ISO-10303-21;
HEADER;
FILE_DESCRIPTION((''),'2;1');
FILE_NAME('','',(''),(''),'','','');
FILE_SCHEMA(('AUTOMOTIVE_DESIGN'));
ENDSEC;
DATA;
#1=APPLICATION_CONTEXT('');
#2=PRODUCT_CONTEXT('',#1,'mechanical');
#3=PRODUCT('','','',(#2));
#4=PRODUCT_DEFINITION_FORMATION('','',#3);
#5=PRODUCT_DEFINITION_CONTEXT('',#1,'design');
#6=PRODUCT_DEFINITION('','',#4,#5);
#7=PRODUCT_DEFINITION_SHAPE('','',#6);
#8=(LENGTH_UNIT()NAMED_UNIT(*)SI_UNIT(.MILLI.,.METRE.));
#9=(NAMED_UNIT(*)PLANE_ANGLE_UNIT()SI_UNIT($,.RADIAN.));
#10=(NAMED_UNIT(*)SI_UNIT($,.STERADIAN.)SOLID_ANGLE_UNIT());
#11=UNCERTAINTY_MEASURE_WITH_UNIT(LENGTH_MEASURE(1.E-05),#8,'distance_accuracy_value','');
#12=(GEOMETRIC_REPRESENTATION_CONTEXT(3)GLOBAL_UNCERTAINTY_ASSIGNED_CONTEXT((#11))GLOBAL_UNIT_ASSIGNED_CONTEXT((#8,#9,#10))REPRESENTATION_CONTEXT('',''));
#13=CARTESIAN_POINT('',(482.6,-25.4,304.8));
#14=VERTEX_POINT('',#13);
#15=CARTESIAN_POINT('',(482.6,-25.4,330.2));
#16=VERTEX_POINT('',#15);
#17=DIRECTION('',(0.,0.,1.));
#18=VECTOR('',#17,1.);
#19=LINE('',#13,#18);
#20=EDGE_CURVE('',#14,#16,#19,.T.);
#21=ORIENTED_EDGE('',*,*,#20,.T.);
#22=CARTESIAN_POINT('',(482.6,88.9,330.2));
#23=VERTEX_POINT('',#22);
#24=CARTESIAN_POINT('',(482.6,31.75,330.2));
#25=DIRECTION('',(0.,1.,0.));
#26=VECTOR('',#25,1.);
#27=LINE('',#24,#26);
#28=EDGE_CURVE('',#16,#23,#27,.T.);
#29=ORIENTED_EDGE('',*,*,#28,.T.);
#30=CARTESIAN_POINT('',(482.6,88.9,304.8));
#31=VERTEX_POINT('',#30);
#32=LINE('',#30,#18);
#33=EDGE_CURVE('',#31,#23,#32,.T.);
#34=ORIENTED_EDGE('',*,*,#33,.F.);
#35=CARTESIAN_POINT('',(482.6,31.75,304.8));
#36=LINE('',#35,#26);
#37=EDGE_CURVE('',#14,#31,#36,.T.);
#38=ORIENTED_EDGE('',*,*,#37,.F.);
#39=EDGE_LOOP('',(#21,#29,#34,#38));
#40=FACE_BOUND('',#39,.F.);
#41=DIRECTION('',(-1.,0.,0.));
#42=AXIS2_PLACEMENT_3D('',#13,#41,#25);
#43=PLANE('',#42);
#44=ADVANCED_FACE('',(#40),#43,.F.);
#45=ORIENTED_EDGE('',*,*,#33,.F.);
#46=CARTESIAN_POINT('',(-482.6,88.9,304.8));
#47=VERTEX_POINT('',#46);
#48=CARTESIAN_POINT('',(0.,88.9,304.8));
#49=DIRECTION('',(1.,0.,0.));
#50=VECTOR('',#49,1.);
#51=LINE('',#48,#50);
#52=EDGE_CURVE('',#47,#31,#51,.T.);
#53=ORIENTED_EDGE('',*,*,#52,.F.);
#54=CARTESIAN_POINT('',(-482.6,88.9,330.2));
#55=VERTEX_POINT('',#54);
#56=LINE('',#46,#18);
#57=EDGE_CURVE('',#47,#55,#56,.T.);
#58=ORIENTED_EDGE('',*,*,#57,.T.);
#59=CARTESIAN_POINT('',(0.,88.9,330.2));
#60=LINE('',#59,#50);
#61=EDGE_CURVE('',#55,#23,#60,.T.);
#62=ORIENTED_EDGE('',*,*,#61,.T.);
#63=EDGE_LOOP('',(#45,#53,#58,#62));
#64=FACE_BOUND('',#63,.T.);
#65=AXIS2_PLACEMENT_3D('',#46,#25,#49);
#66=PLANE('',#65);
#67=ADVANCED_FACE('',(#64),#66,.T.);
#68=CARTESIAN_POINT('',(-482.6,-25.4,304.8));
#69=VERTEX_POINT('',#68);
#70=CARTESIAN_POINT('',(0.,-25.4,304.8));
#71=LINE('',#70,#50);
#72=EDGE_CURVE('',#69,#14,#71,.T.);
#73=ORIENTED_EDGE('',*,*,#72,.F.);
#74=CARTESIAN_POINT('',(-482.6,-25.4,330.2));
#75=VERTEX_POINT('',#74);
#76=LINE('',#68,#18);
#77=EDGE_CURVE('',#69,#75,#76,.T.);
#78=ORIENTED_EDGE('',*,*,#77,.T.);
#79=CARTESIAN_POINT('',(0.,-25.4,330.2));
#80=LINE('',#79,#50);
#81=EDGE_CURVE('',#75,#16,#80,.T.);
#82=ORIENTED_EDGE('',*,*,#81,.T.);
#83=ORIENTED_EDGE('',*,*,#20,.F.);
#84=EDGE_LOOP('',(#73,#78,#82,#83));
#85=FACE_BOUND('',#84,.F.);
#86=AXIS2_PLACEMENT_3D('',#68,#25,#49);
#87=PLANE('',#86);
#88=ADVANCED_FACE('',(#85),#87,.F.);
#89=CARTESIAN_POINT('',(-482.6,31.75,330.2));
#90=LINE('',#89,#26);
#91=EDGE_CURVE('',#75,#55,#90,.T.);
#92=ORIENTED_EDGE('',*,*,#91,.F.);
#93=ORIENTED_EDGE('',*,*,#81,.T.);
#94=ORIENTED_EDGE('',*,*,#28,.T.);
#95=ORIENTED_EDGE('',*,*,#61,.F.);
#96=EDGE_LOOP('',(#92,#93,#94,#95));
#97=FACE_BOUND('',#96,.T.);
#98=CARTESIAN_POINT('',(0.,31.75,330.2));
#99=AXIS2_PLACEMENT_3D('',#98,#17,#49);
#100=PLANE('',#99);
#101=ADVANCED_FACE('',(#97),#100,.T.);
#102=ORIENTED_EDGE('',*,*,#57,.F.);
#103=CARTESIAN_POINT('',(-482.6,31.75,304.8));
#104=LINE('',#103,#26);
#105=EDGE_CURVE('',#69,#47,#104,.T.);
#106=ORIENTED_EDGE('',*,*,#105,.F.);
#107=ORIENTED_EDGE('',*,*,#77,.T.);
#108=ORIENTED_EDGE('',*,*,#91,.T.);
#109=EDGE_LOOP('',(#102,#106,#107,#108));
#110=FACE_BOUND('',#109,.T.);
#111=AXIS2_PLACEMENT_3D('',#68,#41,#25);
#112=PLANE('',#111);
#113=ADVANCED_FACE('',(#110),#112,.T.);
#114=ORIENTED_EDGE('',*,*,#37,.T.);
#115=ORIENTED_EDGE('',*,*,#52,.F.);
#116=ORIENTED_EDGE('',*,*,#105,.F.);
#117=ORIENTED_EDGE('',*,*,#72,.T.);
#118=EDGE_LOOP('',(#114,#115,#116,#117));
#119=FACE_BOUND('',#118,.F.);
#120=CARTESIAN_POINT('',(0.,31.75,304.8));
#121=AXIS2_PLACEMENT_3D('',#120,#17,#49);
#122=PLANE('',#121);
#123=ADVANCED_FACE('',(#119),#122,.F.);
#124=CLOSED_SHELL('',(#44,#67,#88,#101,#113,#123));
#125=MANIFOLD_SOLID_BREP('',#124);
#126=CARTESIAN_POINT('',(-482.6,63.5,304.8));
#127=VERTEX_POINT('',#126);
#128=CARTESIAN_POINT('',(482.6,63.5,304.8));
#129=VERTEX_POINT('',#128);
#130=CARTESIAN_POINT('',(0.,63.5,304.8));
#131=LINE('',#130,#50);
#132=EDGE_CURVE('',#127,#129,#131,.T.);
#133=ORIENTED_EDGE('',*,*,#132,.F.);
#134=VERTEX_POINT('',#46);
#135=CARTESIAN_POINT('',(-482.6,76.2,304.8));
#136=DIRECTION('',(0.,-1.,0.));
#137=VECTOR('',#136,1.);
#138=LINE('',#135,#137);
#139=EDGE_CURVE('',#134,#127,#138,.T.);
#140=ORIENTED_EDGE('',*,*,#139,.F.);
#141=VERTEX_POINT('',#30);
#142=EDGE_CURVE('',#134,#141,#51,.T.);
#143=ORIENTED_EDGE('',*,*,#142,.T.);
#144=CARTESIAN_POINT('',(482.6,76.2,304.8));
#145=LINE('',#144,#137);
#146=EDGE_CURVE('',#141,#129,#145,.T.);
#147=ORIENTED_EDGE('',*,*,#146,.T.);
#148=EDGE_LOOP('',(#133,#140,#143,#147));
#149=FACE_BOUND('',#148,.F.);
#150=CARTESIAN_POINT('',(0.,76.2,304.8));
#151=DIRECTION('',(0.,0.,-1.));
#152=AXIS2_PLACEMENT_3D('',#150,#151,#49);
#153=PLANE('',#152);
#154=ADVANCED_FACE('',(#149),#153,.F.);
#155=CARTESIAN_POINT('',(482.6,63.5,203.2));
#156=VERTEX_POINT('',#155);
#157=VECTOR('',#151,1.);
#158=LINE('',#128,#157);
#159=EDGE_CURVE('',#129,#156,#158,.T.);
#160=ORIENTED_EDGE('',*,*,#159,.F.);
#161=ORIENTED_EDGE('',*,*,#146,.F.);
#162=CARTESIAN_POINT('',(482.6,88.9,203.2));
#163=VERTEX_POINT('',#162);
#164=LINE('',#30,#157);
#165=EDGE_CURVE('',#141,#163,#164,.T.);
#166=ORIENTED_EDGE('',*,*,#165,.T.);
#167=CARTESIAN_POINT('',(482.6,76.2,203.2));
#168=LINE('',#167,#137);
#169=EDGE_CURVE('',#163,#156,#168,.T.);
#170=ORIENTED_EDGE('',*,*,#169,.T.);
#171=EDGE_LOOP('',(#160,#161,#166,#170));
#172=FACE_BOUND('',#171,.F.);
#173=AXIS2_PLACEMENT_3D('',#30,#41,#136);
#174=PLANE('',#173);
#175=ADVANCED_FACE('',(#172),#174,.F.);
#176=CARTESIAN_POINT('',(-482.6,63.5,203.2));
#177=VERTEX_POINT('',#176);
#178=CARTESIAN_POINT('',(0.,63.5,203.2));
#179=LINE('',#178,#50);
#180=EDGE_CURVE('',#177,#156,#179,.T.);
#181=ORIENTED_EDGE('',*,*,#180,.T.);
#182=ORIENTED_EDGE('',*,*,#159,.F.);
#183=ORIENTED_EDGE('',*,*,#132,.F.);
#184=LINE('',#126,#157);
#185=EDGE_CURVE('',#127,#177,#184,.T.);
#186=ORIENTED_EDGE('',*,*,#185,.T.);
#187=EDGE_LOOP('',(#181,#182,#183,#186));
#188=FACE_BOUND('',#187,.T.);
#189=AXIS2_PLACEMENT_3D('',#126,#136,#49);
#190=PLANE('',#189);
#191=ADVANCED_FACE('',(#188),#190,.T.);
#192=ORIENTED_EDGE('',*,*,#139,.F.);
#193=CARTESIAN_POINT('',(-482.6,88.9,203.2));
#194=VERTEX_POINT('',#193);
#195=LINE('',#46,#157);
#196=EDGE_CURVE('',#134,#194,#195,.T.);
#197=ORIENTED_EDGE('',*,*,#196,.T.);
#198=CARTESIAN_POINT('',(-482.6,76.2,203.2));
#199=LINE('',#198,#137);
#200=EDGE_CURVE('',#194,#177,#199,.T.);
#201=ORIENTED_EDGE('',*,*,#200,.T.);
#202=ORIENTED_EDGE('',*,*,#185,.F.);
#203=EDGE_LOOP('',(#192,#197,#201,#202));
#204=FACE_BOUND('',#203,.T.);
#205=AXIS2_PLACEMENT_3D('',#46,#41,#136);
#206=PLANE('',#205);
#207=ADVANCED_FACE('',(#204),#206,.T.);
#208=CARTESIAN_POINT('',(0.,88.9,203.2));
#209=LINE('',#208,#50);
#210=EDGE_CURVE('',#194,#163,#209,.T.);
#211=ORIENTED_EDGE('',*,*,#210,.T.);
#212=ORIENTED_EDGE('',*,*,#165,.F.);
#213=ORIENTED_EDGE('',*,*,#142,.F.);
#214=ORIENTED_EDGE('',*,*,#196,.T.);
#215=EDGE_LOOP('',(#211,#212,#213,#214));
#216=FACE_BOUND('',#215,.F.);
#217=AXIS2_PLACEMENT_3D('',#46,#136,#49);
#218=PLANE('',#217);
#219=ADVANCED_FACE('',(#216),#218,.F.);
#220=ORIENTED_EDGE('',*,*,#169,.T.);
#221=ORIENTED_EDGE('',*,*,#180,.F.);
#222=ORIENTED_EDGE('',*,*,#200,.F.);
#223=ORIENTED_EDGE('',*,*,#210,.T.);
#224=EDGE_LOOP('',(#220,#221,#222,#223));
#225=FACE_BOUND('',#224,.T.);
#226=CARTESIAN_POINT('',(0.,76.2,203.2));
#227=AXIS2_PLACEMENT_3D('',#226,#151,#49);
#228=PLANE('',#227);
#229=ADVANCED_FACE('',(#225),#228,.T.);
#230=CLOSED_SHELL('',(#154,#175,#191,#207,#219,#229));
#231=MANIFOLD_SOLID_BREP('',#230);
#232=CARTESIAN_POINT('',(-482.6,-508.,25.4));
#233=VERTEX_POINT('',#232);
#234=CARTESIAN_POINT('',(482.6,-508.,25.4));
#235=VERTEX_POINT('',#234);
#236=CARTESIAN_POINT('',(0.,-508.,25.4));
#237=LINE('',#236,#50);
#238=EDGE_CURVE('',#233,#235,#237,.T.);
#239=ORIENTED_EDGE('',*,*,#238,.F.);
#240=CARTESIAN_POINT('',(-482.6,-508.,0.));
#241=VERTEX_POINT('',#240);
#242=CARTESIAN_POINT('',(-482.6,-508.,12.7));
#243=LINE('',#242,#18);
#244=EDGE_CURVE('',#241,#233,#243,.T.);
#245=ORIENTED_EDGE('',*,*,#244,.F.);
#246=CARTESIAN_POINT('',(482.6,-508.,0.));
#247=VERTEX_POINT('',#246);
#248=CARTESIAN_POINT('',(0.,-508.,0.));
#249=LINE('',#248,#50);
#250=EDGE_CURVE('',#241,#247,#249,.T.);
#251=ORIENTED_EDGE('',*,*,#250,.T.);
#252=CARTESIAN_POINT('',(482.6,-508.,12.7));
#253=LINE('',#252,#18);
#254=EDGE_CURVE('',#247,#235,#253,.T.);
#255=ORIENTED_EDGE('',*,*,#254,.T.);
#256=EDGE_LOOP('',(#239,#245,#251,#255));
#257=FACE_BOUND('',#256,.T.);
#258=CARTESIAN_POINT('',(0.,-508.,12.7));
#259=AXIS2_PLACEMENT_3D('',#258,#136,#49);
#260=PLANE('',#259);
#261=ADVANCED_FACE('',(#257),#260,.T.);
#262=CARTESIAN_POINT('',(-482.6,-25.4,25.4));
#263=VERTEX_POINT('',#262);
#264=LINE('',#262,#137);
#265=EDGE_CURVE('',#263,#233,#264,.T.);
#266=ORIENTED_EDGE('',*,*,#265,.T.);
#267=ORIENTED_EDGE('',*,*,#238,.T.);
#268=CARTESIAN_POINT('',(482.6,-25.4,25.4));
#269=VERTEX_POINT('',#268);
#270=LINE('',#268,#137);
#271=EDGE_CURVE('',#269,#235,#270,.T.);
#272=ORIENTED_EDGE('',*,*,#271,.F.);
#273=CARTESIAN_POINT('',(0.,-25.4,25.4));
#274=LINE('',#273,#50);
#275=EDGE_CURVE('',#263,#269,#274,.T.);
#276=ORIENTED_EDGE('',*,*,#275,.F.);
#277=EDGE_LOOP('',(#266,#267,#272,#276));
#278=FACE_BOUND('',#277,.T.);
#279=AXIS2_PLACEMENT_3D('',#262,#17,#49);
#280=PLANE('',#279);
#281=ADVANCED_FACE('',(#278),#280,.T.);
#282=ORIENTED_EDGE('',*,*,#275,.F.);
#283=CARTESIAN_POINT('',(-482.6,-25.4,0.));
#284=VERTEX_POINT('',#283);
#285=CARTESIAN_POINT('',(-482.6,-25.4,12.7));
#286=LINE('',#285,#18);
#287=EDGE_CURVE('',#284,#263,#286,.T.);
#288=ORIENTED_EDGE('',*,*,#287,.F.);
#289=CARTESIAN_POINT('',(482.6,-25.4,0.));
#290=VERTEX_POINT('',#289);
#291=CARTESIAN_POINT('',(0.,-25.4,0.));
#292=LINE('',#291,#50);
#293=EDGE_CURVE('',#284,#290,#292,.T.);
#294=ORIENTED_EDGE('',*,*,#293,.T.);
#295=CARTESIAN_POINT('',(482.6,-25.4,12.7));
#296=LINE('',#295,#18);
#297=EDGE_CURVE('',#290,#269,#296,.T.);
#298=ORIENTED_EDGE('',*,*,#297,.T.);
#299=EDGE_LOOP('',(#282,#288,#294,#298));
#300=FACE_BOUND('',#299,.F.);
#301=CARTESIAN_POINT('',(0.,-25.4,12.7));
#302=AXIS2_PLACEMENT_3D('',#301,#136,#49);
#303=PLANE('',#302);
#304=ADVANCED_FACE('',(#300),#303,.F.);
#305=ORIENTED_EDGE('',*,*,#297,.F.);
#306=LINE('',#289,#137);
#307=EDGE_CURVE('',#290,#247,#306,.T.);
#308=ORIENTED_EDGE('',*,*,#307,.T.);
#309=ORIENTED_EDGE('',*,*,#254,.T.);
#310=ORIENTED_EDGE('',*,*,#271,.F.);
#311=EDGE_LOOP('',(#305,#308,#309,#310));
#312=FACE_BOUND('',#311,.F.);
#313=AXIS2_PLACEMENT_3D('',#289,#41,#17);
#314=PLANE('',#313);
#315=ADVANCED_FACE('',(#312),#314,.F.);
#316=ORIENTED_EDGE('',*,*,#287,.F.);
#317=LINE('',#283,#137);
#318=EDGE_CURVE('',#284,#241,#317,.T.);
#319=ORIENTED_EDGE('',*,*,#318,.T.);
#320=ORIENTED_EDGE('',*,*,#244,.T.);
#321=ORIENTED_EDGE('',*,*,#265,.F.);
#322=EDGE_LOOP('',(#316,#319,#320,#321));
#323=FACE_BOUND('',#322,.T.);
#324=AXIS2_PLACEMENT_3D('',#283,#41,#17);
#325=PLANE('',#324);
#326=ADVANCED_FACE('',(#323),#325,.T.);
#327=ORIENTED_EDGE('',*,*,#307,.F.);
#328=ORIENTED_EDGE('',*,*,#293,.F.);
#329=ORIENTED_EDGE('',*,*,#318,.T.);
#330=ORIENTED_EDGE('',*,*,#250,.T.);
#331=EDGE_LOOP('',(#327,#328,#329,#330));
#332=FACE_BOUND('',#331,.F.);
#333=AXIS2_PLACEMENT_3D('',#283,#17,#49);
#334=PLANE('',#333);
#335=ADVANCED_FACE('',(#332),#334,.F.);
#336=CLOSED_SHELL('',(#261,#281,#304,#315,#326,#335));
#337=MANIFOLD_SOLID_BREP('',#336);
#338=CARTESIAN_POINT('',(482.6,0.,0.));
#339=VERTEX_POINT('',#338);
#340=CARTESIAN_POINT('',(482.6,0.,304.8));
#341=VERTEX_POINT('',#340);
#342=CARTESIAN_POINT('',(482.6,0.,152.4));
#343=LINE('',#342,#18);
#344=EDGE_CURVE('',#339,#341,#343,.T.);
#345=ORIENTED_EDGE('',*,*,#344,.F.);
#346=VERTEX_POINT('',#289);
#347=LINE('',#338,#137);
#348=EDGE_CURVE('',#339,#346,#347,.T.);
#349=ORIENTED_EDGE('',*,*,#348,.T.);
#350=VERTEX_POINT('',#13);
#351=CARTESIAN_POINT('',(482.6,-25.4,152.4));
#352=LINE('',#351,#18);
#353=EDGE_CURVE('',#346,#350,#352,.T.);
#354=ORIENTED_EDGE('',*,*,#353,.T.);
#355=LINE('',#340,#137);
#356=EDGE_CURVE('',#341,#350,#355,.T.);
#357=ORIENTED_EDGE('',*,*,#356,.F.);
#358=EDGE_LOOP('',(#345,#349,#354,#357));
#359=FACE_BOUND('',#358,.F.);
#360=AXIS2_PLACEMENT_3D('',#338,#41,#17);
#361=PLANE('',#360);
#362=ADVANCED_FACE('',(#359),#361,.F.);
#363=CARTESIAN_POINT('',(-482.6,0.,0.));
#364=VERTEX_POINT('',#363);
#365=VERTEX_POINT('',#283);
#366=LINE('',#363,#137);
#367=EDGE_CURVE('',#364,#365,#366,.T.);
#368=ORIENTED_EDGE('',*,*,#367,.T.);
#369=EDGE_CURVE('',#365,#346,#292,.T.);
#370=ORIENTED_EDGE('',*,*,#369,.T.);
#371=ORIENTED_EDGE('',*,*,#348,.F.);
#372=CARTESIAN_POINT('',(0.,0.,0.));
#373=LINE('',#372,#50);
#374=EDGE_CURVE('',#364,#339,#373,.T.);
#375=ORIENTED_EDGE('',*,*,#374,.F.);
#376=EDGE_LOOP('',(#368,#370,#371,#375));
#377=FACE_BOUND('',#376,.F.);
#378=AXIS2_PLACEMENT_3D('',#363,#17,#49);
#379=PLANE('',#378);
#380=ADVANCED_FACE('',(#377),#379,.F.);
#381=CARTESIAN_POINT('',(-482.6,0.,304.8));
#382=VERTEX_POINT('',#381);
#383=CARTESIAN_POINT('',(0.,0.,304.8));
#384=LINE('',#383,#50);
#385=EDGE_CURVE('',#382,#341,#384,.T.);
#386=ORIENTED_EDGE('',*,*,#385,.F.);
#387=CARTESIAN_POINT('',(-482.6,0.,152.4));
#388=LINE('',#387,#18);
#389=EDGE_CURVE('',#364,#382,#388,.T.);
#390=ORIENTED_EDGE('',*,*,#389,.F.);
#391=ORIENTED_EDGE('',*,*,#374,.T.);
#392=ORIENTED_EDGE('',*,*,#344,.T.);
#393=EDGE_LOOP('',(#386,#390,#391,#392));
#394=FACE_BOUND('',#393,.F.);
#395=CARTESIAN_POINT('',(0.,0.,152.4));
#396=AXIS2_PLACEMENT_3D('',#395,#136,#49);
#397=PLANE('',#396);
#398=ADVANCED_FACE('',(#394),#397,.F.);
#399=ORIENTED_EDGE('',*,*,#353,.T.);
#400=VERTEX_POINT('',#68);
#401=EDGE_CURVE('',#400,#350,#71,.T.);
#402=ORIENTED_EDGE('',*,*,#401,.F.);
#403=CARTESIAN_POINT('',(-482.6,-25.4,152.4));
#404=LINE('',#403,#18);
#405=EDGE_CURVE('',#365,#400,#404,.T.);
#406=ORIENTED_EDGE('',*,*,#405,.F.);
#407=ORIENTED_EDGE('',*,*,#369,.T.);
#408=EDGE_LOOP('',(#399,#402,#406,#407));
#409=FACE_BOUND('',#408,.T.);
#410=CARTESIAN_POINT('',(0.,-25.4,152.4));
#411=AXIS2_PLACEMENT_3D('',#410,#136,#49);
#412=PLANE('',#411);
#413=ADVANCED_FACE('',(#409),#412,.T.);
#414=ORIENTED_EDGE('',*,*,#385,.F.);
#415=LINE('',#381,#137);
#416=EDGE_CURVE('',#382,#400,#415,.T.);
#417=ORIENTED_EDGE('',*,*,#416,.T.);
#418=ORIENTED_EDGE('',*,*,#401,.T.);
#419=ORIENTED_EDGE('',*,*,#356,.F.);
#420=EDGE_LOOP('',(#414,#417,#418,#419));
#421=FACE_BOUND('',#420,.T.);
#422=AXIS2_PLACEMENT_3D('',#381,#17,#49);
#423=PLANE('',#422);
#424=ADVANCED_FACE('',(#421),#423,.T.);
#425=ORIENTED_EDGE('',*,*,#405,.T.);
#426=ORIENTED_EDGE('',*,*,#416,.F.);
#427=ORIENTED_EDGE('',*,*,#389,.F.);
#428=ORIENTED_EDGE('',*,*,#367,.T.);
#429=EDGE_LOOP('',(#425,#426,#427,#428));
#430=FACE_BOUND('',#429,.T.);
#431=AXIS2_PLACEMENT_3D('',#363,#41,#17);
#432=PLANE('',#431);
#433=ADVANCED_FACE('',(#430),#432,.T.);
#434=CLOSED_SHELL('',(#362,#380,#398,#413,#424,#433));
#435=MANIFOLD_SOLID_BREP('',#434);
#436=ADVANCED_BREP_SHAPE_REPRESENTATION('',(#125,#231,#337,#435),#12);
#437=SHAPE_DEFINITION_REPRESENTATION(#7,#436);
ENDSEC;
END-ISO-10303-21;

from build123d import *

# Parameters (mm, degrees)
F0_W     = 965.2
F0_H     = 304.8
F1_DEPTH = 25.4
F2_W     = 965.2
F2_H     = 25.4
F3_DEPTH = 482.6
F4_W     = 965.2
F4_H     = 114.3
F5_DEPTH = 25.4
F6_W     = 965.2
F6_H     = 25.4
F7_DEPTH = 101.6


with BuildPart() as f1:
    # F0 (on Front) → F1 (new body)
    with BuildSketch(Plane.XZ):
        with Locations((0, 152.4)):
            Rectangle(F0_W, F0_H)
    extrude(amount=F1_DEPTH)


with BuildPart() as f3:
    # F2 (on face) → F3 (new body)
    with BuildSketch(Plane.XZ.offset(25.4)):
        with Locations((0, 12.7)):
            Rectangle(F2_W, F2_H)
    extrude(amount=F3_DEPTH)


with BuildPart() as f5:
    # F4 (on face) → F5 (new body)
    with BuildSketch(Plane.XY.offset(304.8)):
        with Locations((0, 31.75)):
            Rectangle(F4_W, F4_H)
    extrude(amount=F5_DEPTH)


with BuildPart() as f7:
    # F6 (on face) → F7 (new body)
    with BuildSketch(Plane(origin=(0, 0, 304.8), x_dir=(1, 0, 0), z_dir=(0, 0, -1))):
        with Locations((0, -76.2)):
            Rectangle(F6_W, F6_H)
    extrude(amount=F7_DEPTH)


solid = Compound([f1.part, f3.part, f5.part, f7.part])
